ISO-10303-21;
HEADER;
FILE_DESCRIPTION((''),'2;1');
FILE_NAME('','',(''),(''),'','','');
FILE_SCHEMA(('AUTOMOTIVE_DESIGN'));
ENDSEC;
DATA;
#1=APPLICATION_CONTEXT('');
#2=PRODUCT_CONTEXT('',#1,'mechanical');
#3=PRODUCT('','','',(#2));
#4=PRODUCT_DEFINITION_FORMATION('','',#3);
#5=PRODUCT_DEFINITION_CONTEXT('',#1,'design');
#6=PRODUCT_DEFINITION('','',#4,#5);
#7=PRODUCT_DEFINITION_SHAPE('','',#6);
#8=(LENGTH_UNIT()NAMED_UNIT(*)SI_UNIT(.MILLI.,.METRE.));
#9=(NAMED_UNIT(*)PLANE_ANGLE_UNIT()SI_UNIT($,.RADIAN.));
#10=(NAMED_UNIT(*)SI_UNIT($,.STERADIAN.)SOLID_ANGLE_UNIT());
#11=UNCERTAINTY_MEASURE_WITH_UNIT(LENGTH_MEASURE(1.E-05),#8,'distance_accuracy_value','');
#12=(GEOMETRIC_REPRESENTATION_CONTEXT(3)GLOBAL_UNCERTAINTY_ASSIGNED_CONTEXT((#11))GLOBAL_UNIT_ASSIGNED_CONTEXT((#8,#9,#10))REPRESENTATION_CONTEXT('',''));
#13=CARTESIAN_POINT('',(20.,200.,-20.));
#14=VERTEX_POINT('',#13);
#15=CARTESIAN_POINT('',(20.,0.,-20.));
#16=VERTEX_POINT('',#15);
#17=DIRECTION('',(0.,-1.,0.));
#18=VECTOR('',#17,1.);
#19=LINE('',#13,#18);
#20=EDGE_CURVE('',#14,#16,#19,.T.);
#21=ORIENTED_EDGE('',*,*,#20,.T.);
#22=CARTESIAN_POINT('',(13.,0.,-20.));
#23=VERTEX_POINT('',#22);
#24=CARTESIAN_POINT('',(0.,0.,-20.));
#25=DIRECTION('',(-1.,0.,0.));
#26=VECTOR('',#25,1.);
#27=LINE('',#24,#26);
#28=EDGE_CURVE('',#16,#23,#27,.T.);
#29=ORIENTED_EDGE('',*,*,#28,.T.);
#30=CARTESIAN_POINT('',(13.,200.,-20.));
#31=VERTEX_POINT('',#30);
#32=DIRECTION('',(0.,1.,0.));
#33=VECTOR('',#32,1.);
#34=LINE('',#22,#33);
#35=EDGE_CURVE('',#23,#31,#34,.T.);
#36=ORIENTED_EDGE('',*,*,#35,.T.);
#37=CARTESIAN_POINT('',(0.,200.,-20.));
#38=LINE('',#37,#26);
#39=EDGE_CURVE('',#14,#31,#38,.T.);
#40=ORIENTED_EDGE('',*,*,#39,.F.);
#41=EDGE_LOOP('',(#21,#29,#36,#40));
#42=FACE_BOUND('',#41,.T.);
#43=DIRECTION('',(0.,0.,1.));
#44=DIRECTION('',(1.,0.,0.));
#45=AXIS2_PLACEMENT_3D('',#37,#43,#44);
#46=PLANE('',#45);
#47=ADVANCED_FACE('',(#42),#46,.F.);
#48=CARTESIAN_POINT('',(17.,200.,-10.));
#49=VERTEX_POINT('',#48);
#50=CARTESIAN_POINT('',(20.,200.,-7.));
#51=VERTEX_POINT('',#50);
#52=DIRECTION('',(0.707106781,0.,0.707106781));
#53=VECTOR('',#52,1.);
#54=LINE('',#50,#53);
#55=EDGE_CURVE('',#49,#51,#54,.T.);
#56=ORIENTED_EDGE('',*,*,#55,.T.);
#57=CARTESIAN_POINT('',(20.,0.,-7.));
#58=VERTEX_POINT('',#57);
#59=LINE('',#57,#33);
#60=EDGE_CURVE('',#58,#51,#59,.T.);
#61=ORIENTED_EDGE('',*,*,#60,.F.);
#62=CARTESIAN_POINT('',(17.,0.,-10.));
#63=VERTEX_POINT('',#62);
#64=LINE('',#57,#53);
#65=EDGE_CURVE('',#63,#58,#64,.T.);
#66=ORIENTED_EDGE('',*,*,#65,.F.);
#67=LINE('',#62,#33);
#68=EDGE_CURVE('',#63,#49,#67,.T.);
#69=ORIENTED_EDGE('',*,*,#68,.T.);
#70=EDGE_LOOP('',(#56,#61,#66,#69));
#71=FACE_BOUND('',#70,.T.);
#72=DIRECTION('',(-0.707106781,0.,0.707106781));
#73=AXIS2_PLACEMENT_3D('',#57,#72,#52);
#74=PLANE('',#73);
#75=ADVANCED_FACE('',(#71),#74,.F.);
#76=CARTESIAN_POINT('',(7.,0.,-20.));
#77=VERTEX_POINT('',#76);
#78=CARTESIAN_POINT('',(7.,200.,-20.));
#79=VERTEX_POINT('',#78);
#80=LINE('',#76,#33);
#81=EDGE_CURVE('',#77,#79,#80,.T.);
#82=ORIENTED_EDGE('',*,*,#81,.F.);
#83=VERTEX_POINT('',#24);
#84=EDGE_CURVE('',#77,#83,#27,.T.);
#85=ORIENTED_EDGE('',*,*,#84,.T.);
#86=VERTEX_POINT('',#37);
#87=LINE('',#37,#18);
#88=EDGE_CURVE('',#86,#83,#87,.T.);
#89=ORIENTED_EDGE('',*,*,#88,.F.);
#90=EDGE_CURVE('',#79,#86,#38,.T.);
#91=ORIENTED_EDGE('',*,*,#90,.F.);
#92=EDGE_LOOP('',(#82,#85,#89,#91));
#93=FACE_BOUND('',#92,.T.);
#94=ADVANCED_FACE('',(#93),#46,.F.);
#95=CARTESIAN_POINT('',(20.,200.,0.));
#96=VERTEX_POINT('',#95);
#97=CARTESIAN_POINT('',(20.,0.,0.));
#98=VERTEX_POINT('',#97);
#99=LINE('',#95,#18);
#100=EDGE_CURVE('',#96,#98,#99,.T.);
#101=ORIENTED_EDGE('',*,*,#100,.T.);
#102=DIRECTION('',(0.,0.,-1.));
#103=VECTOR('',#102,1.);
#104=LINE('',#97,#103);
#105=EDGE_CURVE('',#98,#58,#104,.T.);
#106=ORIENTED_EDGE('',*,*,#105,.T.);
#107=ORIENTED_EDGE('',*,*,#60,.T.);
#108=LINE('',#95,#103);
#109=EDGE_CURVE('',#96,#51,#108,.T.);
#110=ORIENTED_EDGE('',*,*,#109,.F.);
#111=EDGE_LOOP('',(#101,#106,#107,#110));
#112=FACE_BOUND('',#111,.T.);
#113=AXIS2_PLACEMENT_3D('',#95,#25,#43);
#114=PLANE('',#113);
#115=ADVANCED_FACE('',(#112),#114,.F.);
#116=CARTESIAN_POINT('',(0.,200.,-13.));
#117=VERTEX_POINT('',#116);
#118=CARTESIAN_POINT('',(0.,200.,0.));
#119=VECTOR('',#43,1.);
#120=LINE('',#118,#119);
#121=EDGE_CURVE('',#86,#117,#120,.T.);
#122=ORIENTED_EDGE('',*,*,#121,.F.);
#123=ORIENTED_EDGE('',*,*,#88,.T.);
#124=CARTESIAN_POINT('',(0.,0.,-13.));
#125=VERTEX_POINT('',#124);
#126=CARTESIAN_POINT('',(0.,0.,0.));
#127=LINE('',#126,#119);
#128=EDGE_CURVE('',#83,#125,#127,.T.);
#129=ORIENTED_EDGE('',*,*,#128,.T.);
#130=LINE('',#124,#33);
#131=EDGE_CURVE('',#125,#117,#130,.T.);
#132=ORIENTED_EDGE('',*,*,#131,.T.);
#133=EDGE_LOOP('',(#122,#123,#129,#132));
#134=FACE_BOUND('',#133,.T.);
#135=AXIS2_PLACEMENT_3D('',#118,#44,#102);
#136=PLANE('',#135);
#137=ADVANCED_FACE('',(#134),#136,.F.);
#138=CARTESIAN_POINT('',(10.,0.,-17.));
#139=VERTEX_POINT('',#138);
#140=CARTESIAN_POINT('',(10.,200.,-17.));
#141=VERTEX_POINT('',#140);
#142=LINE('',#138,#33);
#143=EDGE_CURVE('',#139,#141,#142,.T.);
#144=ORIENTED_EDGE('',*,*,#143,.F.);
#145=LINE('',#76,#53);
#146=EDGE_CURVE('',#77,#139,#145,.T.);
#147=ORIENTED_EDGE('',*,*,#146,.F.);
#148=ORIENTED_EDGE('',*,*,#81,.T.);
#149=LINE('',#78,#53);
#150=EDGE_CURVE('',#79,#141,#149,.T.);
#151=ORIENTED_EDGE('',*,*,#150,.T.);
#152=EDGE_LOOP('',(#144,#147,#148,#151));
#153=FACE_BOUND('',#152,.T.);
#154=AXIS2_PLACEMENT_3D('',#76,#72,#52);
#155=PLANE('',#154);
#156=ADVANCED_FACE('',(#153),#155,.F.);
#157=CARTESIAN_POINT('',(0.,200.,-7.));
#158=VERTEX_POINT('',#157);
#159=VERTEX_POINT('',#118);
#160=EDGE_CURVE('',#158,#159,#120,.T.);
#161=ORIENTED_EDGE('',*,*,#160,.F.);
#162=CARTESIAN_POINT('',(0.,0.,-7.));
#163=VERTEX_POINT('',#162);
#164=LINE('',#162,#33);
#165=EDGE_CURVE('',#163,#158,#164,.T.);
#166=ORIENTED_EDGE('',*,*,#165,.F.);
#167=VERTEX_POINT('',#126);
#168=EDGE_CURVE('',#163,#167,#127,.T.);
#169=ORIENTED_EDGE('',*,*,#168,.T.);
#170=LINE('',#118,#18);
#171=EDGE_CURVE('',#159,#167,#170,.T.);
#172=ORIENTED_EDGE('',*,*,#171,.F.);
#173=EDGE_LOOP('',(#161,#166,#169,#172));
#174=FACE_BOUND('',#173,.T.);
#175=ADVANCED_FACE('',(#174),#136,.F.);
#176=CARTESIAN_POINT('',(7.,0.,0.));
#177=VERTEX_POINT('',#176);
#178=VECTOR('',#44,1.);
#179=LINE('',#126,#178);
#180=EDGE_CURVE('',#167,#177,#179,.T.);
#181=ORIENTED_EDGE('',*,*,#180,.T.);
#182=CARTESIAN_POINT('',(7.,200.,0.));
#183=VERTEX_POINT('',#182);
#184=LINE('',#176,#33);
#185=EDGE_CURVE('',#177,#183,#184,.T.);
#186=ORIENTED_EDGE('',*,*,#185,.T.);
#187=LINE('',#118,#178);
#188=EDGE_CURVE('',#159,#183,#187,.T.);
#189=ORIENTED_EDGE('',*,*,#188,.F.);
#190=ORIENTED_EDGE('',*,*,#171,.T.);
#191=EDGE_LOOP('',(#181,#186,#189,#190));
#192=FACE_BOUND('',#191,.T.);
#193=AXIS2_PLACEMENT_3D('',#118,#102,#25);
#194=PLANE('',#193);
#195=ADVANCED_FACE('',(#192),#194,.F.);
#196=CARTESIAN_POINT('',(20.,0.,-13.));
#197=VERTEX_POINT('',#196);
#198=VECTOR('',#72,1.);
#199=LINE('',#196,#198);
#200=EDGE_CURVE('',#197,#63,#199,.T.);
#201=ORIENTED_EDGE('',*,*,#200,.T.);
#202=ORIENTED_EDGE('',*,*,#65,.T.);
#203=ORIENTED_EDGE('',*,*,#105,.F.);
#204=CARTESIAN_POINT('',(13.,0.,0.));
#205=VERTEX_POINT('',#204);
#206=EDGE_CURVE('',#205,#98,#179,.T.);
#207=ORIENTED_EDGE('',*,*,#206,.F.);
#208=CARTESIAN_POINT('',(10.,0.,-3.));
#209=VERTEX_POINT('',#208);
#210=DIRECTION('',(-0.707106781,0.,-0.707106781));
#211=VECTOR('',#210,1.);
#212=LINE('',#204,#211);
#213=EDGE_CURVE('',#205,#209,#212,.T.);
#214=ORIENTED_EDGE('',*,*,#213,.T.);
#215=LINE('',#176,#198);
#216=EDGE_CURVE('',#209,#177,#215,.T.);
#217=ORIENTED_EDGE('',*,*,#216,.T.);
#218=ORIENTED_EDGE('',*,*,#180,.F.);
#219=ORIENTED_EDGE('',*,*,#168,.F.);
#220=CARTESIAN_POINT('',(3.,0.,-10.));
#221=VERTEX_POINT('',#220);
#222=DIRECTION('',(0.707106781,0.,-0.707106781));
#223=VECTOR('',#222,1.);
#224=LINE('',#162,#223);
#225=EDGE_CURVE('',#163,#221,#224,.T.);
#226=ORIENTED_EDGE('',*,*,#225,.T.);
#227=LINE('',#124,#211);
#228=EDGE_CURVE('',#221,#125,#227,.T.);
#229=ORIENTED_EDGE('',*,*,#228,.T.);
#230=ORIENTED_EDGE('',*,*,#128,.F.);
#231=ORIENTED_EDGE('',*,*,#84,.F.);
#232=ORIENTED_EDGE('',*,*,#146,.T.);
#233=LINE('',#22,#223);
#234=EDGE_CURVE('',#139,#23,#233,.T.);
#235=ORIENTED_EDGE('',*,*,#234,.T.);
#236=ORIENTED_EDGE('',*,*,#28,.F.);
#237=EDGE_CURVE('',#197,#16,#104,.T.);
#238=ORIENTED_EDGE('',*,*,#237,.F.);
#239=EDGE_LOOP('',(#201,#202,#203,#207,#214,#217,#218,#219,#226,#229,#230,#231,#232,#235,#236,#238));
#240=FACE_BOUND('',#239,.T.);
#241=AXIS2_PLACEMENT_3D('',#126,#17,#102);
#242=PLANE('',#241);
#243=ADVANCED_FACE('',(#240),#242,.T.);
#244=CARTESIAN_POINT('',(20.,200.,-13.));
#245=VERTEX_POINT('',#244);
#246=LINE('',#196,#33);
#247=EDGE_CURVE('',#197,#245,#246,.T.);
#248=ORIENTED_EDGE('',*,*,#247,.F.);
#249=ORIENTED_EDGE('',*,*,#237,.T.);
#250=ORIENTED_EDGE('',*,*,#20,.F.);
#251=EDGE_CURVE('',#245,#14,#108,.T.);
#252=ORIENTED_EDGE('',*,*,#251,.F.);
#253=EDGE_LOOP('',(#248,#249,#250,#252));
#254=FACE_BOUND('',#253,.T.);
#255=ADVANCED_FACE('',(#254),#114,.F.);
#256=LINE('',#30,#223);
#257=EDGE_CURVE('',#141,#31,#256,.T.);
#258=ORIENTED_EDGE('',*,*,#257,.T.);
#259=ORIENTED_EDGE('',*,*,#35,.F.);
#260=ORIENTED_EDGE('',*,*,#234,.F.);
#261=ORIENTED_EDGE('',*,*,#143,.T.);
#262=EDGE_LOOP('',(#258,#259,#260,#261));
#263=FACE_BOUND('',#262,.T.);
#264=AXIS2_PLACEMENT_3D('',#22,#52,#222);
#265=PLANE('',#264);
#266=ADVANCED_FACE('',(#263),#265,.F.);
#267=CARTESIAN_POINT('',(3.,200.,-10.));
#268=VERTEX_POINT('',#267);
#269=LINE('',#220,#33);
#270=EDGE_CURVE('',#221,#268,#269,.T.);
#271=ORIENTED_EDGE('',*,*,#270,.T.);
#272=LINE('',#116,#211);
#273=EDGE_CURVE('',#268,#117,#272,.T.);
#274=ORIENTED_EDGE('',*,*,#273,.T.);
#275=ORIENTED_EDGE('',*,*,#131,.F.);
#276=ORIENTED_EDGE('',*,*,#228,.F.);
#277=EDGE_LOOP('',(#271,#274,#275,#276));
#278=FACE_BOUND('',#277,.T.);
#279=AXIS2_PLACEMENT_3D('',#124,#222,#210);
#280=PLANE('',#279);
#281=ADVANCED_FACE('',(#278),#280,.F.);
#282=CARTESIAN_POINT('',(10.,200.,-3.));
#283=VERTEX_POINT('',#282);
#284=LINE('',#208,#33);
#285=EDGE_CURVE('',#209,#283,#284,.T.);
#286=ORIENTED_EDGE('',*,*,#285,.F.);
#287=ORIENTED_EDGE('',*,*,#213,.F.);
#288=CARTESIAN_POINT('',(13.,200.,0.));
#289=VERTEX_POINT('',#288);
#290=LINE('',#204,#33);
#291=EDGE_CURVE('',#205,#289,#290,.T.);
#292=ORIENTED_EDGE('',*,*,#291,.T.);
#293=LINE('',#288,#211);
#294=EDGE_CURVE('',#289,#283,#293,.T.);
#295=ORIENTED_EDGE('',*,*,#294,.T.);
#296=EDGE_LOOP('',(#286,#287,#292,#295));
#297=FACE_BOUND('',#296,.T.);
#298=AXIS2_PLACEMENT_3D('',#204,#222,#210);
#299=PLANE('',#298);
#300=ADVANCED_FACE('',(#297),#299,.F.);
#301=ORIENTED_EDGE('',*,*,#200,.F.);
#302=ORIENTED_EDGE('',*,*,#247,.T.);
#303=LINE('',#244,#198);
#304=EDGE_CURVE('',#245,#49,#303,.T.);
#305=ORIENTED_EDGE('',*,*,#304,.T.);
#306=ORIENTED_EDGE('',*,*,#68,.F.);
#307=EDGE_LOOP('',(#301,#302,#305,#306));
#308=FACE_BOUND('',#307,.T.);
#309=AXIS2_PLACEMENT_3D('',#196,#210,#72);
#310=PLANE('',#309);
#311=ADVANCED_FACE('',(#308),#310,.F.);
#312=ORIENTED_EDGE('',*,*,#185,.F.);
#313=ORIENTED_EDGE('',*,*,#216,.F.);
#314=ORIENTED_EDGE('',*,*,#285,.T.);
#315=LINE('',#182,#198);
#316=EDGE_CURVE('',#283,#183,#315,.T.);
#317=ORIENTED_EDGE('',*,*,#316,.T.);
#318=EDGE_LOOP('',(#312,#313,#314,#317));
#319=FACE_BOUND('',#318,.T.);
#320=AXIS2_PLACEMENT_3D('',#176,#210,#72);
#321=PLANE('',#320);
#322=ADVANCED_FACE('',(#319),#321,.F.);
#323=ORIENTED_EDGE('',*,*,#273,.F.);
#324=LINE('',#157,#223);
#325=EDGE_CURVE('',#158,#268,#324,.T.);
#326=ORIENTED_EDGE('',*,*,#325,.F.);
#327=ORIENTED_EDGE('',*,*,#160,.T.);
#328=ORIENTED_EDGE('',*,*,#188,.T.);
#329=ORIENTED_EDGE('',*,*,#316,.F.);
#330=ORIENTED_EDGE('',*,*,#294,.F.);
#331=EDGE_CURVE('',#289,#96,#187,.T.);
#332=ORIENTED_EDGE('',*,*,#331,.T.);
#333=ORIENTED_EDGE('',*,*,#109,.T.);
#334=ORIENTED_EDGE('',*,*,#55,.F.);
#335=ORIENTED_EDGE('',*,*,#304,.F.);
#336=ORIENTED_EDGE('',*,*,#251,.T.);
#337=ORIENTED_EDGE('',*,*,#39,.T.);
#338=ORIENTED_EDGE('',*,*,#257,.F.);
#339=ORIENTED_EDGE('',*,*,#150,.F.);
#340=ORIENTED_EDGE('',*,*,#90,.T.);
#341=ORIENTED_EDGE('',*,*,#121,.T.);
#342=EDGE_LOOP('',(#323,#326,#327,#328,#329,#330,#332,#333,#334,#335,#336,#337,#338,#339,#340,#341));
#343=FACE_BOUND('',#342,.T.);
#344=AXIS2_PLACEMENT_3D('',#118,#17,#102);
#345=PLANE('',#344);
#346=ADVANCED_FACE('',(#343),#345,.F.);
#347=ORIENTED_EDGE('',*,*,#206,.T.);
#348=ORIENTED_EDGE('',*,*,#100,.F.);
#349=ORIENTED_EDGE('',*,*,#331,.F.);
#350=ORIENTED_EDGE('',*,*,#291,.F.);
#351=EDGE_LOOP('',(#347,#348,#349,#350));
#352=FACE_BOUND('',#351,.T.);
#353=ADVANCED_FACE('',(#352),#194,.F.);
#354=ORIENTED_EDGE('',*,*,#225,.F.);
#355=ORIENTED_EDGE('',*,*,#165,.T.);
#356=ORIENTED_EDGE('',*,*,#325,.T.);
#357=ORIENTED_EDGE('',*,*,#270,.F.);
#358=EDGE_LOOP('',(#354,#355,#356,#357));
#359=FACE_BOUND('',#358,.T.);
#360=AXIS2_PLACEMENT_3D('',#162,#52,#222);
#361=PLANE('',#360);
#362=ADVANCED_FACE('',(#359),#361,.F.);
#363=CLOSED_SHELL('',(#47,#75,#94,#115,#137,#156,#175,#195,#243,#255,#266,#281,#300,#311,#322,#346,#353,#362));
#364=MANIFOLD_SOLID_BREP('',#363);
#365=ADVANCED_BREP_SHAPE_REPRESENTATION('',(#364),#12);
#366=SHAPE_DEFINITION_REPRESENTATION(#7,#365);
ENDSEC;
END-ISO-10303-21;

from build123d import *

# Parameters (mm, degrees)
SKIZZE1_W                       = 20
SKIZZE1_H                       = 20
AUFSATZ_LINEAR_AUSTRAGEN1_DEPTH = 200
SCHNITT_LINEAR_AUSTRAGEN1_DEPTH = 202.990098767


with BuildPart() as part:
    # Skizze1 → Aufsatz-Linear austragen1 (new body)
    with BuildSketch(Plane(origin=(0, 0, 0), x_dir=(1, 0, 0), z_dir=(0, 1, 0))):
        with Locations((10, 10)):
            Rectangle(SKIZZE1_W, SKIZZE1_H)
    extrude(amount=AUFSATZ_LINEAR_AUSTRAGEN1_DEPTH)

    # Skizze2 → Schnitt-Linear austragen1 (cut, through all)
    with BuildSketch(Plane(origin=(0, 200, 0), x_dir=(1, 0, 0), z_dir=(0, 1, 0))):
        Polygon((7, 20), (10, 17), (13, 20), align=None)
        Polygon((20, 13), (17, 10), (20, 7), align=None)
        Polygon((0, 7), (0, 13), (3, 10), align=None)
        Polygon((7, 0), (13, 0), (10, 3), align=None)
    extrude(amount=-SCHNITT_LINEAR_AUSTRAGEN1_DEPTH, mode=Mode.SUBTRACT)


solid = part.part
